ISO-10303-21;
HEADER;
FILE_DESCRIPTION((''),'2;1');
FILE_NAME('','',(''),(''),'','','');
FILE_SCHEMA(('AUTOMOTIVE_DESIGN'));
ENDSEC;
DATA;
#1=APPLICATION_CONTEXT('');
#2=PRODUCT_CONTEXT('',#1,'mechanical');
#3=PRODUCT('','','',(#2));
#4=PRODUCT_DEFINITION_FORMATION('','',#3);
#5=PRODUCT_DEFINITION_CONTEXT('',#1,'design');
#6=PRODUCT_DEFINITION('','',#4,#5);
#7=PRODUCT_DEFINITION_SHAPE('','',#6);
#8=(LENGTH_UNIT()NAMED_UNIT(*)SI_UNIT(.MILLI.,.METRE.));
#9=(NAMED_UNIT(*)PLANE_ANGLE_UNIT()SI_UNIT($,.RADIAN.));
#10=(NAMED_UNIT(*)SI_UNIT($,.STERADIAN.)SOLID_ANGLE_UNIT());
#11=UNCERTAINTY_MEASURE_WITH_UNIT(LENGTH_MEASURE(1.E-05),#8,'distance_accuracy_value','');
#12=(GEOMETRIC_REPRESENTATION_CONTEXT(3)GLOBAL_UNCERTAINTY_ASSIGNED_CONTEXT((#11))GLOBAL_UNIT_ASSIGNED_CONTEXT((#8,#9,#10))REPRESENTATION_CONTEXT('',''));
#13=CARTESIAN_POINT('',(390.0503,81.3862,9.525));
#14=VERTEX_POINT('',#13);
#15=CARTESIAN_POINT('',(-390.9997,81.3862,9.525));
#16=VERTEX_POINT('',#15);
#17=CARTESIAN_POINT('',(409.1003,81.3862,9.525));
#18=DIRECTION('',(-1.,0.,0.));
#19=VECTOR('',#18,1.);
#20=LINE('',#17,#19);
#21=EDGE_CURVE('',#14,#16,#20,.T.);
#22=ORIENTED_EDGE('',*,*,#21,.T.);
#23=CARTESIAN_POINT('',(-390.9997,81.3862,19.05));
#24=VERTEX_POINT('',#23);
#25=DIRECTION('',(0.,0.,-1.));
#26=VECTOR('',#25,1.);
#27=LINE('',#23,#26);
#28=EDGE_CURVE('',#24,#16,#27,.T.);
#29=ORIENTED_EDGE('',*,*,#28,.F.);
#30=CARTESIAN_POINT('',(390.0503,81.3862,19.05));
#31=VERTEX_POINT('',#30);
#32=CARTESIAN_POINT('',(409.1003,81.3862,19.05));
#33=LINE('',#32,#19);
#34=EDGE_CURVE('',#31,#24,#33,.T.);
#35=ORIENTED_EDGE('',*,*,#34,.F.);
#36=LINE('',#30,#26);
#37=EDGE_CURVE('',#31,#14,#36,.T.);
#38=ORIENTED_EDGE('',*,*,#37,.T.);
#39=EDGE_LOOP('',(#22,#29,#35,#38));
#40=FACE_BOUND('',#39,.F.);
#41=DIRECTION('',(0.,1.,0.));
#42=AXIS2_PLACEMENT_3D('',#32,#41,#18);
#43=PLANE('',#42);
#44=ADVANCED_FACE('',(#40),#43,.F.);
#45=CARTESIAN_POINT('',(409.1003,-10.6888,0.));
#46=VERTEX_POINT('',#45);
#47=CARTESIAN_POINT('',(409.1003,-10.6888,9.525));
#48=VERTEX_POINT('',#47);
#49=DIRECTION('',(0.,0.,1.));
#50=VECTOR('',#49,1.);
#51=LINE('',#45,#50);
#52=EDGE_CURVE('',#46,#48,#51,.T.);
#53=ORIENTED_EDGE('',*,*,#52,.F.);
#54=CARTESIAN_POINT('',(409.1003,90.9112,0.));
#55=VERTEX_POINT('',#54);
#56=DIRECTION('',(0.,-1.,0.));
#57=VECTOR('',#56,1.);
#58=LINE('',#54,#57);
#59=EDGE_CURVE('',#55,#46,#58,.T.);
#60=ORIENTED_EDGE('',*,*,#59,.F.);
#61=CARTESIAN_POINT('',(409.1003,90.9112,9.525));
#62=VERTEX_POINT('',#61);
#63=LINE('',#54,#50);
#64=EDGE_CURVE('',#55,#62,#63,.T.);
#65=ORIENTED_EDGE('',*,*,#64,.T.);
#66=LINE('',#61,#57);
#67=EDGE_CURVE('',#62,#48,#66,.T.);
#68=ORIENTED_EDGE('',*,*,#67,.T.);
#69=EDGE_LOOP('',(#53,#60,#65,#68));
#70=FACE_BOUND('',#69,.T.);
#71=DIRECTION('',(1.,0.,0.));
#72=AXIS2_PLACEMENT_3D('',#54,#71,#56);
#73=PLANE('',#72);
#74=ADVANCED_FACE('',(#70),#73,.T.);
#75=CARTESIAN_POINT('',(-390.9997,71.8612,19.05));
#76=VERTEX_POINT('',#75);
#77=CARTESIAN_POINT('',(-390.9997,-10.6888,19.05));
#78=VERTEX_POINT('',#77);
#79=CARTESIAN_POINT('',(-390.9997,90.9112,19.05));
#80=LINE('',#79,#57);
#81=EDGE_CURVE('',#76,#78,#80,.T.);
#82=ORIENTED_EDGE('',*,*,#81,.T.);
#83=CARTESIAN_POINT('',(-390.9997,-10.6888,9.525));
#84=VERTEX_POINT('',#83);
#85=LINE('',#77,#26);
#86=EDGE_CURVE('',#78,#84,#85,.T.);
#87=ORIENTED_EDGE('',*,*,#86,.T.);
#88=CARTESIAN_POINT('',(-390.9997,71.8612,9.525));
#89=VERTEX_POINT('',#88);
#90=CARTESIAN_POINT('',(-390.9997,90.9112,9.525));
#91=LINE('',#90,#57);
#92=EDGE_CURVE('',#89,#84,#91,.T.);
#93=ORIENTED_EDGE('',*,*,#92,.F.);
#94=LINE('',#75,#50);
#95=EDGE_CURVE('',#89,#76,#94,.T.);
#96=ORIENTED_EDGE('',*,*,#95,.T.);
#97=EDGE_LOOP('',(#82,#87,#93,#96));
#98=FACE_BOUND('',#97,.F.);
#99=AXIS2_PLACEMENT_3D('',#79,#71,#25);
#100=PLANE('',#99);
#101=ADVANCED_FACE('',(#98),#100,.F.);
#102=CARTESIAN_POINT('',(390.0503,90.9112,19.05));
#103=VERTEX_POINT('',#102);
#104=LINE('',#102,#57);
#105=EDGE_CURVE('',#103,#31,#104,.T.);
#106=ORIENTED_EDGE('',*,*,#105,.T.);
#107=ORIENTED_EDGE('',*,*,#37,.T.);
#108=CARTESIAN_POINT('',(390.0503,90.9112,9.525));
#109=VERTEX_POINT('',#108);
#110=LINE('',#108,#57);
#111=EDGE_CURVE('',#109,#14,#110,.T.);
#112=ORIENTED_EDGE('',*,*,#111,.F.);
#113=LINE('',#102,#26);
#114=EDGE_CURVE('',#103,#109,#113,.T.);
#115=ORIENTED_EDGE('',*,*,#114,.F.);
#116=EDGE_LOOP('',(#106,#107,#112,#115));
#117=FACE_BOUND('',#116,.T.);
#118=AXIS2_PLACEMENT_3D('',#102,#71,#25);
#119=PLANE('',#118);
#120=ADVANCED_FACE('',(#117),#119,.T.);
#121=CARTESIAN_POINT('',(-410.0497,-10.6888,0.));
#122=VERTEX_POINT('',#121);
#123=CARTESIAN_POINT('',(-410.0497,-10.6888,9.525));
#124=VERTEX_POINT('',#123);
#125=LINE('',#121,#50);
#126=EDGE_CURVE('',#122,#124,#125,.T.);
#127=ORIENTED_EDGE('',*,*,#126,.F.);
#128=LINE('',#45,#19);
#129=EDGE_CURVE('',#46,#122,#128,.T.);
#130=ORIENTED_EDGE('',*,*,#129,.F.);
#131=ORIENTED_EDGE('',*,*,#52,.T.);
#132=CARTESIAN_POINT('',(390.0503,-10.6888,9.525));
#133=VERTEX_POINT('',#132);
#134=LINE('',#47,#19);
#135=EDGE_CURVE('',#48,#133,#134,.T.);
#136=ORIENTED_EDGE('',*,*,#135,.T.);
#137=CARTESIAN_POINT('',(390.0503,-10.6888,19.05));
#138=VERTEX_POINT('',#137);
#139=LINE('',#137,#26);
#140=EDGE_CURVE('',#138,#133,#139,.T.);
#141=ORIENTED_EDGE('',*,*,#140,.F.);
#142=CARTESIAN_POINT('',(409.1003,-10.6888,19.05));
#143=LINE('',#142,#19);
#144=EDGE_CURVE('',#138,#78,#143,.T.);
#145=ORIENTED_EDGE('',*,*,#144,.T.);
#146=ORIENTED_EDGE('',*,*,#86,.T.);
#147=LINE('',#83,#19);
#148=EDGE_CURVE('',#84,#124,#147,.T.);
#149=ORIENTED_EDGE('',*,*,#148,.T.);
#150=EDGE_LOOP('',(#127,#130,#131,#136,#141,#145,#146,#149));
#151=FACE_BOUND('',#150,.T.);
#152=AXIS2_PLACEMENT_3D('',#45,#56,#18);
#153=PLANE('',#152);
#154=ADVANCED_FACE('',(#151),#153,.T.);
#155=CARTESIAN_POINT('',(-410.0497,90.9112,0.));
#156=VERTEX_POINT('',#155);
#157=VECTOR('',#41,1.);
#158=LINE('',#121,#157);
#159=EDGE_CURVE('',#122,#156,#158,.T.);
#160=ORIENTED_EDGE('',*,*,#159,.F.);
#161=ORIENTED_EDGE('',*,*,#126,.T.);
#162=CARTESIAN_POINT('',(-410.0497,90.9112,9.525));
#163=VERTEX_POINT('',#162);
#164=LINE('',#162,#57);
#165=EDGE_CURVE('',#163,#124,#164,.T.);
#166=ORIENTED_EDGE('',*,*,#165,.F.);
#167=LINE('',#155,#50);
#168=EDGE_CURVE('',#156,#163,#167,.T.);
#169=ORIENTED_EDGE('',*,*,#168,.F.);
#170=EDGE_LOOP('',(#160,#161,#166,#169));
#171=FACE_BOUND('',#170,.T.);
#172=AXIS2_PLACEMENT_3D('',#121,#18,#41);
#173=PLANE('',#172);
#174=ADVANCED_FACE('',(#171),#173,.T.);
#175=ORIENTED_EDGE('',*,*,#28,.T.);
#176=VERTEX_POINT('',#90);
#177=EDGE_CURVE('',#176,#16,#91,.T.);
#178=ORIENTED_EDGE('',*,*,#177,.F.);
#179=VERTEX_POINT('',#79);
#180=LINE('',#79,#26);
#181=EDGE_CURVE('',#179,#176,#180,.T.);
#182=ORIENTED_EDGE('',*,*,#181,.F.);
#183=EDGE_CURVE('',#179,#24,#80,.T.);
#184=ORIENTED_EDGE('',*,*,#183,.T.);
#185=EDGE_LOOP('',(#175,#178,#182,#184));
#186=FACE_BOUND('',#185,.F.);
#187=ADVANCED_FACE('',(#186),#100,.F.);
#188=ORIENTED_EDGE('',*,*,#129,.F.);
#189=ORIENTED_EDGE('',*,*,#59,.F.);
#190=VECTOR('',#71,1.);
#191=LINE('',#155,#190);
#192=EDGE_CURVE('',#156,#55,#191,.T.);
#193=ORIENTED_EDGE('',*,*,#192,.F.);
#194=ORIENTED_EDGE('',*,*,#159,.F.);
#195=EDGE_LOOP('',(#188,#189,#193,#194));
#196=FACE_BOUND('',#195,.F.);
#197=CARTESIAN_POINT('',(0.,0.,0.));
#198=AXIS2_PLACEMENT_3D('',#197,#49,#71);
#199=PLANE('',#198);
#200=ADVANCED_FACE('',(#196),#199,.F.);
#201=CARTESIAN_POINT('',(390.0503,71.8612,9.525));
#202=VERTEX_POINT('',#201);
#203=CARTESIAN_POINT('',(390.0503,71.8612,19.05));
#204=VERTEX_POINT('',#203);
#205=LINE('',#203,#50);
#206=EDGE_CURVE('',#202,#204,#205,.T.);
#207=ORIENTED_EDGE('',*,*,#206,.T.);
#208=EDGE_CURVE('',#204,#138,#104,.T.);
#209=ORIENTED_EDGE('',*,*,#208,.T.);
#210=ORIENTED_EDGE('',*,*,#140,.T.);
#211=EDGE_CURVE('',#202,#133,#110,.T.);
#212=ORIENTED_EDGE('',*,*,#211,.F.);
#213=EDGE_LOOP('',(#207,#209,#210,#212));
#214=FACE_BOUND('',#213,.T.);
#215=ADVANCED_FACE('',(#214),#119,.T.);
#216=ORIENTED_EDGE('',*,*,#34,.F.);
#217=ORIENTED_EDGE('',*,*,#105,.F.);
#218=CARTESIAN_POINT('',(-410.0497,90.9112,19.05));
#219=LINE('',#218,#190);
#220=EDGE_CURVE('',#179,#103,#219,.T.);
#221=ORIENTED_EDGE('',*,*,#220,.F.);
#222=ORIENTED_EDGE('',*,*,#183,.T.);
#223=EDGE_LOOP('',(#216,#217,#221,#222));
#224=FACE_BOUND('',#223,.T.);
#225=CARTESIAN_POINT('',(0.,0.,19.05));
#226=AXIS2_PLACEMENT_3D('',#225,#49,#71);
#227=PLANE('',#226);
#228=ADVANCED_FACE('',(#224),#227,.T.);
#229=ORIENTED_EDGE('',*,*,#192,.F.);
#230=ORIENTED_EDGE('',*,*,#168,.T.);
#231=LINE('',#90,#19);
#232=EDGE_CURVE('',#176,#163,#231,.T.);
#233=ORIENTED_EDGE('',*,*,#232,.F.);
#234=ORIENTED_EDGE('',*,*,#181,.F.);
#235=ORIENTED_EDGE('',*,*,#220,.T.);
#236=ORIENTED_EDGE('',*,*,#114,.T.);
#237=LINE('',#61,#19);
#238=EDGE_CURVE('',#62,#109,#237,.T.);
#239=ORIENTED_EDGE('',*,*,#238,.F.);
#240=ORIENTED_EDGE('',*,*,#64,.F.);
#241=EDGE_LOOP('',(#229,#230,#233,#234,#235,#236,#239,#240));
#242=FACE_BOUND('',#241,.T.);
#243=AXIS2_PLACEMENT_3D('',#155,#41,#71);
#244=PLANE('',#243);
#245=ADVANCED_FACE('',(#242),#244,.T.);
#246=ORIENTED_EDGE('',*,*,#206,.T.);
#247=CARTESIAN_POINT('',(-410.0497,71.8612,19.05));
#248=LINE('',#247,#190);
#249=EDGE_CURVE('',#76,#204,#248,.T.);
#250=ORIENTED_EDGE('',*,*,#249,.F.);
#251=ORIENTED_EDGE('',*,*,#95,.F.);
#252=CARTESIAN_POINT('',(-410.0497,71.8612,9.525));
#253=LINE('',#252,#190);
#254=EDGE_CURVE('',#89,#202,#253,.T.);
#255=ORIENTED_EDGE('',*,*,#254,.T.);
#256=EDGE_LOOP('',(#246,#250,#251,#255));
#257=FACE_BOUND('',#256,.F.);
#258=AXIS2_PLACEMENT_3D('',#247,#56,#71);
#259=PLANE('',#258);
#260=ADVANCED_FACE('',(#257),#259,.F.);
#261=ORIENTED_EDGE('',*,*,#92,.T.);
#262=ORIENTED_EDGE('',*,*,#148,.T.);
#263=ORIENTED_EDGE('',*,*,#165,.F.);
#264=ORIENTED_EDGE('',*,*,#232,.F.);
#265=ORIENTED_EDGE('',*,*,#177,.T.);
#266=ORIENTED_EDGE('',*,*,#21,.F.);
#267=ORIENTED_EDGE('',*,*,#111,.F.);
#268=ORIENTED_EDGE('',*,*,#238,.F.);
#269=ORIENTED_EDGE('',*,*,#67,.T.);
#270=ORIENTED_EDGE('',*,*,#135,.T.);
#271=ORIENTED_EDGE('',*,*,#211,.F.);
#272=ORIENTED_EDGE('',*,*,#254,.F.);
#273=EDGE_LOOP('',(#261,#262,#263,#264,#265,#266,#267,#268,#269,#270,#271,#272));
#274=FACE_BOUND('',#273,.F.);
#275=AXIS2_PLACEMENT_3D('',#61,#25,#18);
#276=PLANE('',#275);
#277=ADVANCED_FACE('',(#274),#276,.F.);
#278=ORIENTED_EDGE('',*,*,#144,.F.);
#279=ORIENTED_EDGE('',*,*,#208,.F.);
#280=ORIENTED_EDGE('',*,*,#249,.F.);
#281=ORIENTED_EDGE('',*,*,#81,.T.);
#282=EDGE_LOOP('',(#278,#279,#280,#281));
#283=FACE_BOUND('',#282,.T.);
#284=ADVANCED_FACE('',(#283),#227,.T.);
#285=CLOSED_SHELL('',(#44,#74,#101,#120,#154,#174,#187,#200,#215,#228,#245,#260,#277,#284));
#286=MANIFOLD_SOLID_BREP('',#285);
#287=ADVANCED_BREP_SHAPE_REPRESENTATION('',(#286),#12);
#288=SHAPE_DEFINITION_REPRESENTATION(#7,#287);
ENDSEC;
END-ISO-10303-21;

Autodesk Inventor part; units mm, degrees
ref_plane "YZ Plane" through (0, 0, 0) normal (1, 0, 0) x (0, 1, 0)
ref_plane "XZ Plane" through (0, 0, 0) normal (0, 1, 0) x (-1, 0, 0)
ref_plane "XY Plane" through (0, 0, 0) normal (0, 0, 1) x (1, 0, 0)
sketch "Sketch2" plane through (0, 0, 0) normal (0, 0, 1) x (1, 0, 0)
  line L0 (-410.0497, 90.9112) -> (409.1003, 90.9112)
  line L1 (409.1003, 90.9112) -> (409.1003, -10.6888)
  line L2 (409.1003, -10.6888) -> (-410.0497, -10.6888)
  line L3 (-410.0497, -10.6888) -> (-410.0497, 90.9112)
  point P0 (0, 0)
  dimension "d0" = 819.15
  dimension "d1" = 101.6
extrude "Board" add sketch "Sketch2" along normal blind 19.05
sketch "Sketch10" plane through (0, 0, 19.05) normal (0, 0, 1) x (1, 0, 0)
  line L0 (409.1003, -10.6888) -> (409.1003, 90.9112) projected
  line L1 (409.1003, 81.3862) -> (-410.0497, 81.3862)
  line L2 (-410.0497, 81.3862) -> (-410.0497, 71.8612)
  line L3 (-410.0497, 71.8612) -> (409.1003, 71.8612)
  line L4 (409.1003, 71.8612) -> (409.1003, 81.3862)
  line L5 (-410.0497, 90.9112) -> (-410.0497, -10.6888) projected
  line L6 (409.1003, 90.9112) -> (-410.0497, 90.9112) projected
  point P0 (0, 0)
  dimension "d22" = 9.525
  dimension "d23" = 9.525
extrude "Extrusion7" cut sketch "Sketch10" against normal blind 9.525 contours L3 L2 L1 L0
sketch "Sketch11" plane through (-410.0497, 90.9112, 0) normal (0, 1, 0) x (1, 0, 0)
  line L0 (0, -19.05) -> (19.05, -19.05)
  line L1 (19.05, -19.05) -> (19.05, -9.525)
  line L2 (19.05, -9.525) -> (0, -9.525)
  line L3 (0, -9.525) -> (0, -19.05)
  line L4 (819.15, -9.525) -> (0, -9.525) projected
  line L5 (819.15, 0) -> (819.15, -19.05) projected
  line L6 (0, -9.525) -> (819.15, -9.525) projected
  line L7 (819.15, -19.05) -> (800.1, -19.05)
  line L8 (800.1, -19.05) -> (800.1, -9.525)
  line L9 (800.1, -9.525) -> (819.15, -9.525)
  line L10 (819.15, -9.525) -> (819.15, -19.05)
  point P0 (410.0497, 0)
  dimension "d28" = 19.05
  dimension "d29" = 19.05
extrude "End Notches" cut sketch "Sketch11" against normal blind 101.6
equation "\"d30\" = d1"
properties part number "Base Runner Front"
